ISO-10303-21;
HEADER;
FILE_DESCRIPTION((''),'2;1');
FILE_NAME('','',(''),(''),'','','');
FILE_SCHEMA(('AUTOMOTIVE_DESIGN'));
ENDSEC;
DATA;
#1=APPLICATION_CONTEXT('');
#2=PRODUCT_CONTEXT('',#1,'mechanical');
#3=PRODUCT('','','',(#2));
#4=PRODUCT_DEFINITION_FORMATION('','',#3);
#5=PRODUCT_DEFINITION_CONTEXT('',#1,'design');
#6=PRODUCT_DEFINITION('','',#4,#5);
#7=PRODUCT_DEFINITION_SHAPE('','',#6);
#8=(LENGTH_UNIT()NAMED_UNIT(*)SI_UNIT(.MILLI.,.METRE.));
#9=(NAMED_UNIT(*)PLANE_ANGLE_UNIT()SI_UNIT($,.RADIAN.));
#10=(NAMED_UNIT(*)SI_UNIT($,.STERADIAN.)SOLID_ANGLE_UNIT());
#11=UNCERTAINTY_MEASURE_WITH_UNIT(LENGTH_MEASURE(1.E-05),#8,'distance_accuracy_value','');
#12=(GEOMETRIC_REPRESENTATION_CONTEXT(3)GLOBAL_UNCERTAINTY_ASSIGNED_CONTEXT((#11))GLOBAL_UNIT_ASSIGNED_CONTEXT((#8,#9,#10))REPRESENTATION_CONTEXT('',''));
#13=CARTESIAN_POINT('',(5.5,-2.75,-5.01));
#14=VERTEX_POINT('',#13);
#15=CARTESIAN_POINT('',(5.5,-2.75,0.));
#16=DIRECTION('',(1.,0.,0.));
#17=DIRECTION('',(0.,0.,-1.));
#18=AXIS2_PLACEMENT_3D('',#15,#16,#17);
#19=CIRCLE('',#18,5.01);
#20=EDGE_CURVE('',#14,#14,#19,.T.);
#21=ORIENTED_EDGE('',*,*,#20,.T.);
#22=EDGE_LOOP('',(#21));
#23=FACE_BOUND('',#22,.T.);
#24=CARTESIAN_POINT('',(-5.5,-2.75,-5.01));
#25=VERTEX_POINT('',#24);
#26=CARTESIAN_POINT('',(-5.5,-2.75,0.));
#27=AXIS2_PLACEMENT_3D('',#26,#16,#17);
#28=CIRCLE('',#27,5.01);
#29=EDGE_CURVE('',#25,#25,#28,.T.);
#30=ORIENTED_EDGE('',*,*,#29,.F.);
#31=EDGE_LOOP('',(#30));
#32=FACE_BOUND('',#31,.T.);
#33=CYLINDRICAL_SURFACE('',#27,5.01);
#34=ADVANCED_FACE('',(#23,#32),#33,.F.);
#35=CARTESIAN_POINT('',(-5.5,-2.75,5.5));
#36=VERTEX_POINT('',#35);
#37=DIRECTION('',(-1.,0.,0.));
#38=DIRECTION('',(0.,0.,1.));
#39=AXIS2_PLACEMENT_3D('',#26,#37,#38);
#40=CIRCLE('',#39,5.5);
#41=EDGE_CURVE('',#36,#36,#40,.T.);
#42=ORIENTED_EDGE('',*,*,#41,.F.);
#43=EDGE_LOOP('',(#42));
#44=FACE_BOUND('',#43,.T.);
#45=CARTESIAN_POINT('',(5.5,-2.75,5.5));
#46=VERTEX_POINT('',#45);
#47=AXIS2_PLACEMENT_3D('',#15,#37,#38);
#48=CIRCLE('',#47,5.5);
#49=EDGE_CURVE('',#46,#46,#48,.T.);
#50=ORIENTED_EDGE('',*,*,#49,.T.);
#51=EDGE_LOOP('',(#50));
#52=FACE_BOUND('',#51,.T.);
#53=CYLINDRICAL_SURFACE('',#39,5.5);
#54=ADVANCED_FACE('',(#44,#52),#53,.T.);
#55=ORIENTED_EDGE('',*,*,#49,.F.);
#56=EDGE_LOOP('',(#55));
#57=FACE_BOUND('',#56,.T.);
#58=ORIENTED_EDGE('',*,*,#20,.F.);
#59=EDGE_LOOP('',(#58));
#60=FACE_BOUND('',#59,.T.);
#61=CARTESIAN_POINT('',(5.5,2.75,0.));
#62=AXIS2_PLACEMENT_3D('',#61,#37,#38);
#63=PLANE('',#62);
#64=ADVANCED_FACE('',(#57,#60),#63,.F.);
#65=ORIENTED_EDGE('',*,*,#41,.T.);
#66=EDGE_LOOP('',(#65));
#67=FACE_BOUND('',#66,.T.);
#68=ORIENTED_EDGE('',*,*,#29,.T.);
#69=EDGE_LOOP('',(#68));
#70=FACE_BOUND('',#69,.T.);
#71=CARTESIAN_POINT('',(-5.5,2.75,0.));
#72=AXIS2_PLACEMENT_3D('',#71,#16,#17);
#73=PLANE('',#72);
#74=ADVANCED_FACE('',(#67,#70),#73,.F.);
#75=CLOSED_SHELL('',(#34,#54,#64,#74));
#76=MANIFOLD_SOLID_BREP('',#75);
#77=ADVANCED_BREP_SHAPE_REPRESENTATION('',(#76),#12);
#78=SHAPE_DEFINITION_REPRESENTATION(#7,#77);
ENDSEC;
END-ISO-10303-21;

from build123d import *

# Parameters (mm, degrees)
SKETCH1_W          = 11
SKETCH1_H          = 5.5
SKETCH3_R          = 5.01
CUT_EXTRUDE1_DEPTH = 15.80920322


with BuildPart() as part:
    # Sketch1 → Revolve1 (revolve)
    with BuildSketch(Plane.XY, mode=Mode.PRIVATE) as revolve1_sk:
        Rectangle(SKETCH1_W, SKETCH1_H)
    revolve(revolve1_sk.sketch.rotate(Axis((-5.5, -2.75, 0), (1, 0, 0)), 90), axis=Axis((-5.5, -2.75, 0), (1, 0, 0)))

    # Sketch3 → Cut-Extrude1 (cut, through all)
    with BuildSketch(Plane(origin=(5.5, 0, 0), x_dir=(0, 0, -1), z_dir=(1, 0, 0))):
        with Locations((0, -2.75)):
            Circle(SKETCH3_R)
    extrude(amount=-CUT_EXTRUDE1_DEPTH, mode=Mode.SUBTRACT)


solid = part.part
